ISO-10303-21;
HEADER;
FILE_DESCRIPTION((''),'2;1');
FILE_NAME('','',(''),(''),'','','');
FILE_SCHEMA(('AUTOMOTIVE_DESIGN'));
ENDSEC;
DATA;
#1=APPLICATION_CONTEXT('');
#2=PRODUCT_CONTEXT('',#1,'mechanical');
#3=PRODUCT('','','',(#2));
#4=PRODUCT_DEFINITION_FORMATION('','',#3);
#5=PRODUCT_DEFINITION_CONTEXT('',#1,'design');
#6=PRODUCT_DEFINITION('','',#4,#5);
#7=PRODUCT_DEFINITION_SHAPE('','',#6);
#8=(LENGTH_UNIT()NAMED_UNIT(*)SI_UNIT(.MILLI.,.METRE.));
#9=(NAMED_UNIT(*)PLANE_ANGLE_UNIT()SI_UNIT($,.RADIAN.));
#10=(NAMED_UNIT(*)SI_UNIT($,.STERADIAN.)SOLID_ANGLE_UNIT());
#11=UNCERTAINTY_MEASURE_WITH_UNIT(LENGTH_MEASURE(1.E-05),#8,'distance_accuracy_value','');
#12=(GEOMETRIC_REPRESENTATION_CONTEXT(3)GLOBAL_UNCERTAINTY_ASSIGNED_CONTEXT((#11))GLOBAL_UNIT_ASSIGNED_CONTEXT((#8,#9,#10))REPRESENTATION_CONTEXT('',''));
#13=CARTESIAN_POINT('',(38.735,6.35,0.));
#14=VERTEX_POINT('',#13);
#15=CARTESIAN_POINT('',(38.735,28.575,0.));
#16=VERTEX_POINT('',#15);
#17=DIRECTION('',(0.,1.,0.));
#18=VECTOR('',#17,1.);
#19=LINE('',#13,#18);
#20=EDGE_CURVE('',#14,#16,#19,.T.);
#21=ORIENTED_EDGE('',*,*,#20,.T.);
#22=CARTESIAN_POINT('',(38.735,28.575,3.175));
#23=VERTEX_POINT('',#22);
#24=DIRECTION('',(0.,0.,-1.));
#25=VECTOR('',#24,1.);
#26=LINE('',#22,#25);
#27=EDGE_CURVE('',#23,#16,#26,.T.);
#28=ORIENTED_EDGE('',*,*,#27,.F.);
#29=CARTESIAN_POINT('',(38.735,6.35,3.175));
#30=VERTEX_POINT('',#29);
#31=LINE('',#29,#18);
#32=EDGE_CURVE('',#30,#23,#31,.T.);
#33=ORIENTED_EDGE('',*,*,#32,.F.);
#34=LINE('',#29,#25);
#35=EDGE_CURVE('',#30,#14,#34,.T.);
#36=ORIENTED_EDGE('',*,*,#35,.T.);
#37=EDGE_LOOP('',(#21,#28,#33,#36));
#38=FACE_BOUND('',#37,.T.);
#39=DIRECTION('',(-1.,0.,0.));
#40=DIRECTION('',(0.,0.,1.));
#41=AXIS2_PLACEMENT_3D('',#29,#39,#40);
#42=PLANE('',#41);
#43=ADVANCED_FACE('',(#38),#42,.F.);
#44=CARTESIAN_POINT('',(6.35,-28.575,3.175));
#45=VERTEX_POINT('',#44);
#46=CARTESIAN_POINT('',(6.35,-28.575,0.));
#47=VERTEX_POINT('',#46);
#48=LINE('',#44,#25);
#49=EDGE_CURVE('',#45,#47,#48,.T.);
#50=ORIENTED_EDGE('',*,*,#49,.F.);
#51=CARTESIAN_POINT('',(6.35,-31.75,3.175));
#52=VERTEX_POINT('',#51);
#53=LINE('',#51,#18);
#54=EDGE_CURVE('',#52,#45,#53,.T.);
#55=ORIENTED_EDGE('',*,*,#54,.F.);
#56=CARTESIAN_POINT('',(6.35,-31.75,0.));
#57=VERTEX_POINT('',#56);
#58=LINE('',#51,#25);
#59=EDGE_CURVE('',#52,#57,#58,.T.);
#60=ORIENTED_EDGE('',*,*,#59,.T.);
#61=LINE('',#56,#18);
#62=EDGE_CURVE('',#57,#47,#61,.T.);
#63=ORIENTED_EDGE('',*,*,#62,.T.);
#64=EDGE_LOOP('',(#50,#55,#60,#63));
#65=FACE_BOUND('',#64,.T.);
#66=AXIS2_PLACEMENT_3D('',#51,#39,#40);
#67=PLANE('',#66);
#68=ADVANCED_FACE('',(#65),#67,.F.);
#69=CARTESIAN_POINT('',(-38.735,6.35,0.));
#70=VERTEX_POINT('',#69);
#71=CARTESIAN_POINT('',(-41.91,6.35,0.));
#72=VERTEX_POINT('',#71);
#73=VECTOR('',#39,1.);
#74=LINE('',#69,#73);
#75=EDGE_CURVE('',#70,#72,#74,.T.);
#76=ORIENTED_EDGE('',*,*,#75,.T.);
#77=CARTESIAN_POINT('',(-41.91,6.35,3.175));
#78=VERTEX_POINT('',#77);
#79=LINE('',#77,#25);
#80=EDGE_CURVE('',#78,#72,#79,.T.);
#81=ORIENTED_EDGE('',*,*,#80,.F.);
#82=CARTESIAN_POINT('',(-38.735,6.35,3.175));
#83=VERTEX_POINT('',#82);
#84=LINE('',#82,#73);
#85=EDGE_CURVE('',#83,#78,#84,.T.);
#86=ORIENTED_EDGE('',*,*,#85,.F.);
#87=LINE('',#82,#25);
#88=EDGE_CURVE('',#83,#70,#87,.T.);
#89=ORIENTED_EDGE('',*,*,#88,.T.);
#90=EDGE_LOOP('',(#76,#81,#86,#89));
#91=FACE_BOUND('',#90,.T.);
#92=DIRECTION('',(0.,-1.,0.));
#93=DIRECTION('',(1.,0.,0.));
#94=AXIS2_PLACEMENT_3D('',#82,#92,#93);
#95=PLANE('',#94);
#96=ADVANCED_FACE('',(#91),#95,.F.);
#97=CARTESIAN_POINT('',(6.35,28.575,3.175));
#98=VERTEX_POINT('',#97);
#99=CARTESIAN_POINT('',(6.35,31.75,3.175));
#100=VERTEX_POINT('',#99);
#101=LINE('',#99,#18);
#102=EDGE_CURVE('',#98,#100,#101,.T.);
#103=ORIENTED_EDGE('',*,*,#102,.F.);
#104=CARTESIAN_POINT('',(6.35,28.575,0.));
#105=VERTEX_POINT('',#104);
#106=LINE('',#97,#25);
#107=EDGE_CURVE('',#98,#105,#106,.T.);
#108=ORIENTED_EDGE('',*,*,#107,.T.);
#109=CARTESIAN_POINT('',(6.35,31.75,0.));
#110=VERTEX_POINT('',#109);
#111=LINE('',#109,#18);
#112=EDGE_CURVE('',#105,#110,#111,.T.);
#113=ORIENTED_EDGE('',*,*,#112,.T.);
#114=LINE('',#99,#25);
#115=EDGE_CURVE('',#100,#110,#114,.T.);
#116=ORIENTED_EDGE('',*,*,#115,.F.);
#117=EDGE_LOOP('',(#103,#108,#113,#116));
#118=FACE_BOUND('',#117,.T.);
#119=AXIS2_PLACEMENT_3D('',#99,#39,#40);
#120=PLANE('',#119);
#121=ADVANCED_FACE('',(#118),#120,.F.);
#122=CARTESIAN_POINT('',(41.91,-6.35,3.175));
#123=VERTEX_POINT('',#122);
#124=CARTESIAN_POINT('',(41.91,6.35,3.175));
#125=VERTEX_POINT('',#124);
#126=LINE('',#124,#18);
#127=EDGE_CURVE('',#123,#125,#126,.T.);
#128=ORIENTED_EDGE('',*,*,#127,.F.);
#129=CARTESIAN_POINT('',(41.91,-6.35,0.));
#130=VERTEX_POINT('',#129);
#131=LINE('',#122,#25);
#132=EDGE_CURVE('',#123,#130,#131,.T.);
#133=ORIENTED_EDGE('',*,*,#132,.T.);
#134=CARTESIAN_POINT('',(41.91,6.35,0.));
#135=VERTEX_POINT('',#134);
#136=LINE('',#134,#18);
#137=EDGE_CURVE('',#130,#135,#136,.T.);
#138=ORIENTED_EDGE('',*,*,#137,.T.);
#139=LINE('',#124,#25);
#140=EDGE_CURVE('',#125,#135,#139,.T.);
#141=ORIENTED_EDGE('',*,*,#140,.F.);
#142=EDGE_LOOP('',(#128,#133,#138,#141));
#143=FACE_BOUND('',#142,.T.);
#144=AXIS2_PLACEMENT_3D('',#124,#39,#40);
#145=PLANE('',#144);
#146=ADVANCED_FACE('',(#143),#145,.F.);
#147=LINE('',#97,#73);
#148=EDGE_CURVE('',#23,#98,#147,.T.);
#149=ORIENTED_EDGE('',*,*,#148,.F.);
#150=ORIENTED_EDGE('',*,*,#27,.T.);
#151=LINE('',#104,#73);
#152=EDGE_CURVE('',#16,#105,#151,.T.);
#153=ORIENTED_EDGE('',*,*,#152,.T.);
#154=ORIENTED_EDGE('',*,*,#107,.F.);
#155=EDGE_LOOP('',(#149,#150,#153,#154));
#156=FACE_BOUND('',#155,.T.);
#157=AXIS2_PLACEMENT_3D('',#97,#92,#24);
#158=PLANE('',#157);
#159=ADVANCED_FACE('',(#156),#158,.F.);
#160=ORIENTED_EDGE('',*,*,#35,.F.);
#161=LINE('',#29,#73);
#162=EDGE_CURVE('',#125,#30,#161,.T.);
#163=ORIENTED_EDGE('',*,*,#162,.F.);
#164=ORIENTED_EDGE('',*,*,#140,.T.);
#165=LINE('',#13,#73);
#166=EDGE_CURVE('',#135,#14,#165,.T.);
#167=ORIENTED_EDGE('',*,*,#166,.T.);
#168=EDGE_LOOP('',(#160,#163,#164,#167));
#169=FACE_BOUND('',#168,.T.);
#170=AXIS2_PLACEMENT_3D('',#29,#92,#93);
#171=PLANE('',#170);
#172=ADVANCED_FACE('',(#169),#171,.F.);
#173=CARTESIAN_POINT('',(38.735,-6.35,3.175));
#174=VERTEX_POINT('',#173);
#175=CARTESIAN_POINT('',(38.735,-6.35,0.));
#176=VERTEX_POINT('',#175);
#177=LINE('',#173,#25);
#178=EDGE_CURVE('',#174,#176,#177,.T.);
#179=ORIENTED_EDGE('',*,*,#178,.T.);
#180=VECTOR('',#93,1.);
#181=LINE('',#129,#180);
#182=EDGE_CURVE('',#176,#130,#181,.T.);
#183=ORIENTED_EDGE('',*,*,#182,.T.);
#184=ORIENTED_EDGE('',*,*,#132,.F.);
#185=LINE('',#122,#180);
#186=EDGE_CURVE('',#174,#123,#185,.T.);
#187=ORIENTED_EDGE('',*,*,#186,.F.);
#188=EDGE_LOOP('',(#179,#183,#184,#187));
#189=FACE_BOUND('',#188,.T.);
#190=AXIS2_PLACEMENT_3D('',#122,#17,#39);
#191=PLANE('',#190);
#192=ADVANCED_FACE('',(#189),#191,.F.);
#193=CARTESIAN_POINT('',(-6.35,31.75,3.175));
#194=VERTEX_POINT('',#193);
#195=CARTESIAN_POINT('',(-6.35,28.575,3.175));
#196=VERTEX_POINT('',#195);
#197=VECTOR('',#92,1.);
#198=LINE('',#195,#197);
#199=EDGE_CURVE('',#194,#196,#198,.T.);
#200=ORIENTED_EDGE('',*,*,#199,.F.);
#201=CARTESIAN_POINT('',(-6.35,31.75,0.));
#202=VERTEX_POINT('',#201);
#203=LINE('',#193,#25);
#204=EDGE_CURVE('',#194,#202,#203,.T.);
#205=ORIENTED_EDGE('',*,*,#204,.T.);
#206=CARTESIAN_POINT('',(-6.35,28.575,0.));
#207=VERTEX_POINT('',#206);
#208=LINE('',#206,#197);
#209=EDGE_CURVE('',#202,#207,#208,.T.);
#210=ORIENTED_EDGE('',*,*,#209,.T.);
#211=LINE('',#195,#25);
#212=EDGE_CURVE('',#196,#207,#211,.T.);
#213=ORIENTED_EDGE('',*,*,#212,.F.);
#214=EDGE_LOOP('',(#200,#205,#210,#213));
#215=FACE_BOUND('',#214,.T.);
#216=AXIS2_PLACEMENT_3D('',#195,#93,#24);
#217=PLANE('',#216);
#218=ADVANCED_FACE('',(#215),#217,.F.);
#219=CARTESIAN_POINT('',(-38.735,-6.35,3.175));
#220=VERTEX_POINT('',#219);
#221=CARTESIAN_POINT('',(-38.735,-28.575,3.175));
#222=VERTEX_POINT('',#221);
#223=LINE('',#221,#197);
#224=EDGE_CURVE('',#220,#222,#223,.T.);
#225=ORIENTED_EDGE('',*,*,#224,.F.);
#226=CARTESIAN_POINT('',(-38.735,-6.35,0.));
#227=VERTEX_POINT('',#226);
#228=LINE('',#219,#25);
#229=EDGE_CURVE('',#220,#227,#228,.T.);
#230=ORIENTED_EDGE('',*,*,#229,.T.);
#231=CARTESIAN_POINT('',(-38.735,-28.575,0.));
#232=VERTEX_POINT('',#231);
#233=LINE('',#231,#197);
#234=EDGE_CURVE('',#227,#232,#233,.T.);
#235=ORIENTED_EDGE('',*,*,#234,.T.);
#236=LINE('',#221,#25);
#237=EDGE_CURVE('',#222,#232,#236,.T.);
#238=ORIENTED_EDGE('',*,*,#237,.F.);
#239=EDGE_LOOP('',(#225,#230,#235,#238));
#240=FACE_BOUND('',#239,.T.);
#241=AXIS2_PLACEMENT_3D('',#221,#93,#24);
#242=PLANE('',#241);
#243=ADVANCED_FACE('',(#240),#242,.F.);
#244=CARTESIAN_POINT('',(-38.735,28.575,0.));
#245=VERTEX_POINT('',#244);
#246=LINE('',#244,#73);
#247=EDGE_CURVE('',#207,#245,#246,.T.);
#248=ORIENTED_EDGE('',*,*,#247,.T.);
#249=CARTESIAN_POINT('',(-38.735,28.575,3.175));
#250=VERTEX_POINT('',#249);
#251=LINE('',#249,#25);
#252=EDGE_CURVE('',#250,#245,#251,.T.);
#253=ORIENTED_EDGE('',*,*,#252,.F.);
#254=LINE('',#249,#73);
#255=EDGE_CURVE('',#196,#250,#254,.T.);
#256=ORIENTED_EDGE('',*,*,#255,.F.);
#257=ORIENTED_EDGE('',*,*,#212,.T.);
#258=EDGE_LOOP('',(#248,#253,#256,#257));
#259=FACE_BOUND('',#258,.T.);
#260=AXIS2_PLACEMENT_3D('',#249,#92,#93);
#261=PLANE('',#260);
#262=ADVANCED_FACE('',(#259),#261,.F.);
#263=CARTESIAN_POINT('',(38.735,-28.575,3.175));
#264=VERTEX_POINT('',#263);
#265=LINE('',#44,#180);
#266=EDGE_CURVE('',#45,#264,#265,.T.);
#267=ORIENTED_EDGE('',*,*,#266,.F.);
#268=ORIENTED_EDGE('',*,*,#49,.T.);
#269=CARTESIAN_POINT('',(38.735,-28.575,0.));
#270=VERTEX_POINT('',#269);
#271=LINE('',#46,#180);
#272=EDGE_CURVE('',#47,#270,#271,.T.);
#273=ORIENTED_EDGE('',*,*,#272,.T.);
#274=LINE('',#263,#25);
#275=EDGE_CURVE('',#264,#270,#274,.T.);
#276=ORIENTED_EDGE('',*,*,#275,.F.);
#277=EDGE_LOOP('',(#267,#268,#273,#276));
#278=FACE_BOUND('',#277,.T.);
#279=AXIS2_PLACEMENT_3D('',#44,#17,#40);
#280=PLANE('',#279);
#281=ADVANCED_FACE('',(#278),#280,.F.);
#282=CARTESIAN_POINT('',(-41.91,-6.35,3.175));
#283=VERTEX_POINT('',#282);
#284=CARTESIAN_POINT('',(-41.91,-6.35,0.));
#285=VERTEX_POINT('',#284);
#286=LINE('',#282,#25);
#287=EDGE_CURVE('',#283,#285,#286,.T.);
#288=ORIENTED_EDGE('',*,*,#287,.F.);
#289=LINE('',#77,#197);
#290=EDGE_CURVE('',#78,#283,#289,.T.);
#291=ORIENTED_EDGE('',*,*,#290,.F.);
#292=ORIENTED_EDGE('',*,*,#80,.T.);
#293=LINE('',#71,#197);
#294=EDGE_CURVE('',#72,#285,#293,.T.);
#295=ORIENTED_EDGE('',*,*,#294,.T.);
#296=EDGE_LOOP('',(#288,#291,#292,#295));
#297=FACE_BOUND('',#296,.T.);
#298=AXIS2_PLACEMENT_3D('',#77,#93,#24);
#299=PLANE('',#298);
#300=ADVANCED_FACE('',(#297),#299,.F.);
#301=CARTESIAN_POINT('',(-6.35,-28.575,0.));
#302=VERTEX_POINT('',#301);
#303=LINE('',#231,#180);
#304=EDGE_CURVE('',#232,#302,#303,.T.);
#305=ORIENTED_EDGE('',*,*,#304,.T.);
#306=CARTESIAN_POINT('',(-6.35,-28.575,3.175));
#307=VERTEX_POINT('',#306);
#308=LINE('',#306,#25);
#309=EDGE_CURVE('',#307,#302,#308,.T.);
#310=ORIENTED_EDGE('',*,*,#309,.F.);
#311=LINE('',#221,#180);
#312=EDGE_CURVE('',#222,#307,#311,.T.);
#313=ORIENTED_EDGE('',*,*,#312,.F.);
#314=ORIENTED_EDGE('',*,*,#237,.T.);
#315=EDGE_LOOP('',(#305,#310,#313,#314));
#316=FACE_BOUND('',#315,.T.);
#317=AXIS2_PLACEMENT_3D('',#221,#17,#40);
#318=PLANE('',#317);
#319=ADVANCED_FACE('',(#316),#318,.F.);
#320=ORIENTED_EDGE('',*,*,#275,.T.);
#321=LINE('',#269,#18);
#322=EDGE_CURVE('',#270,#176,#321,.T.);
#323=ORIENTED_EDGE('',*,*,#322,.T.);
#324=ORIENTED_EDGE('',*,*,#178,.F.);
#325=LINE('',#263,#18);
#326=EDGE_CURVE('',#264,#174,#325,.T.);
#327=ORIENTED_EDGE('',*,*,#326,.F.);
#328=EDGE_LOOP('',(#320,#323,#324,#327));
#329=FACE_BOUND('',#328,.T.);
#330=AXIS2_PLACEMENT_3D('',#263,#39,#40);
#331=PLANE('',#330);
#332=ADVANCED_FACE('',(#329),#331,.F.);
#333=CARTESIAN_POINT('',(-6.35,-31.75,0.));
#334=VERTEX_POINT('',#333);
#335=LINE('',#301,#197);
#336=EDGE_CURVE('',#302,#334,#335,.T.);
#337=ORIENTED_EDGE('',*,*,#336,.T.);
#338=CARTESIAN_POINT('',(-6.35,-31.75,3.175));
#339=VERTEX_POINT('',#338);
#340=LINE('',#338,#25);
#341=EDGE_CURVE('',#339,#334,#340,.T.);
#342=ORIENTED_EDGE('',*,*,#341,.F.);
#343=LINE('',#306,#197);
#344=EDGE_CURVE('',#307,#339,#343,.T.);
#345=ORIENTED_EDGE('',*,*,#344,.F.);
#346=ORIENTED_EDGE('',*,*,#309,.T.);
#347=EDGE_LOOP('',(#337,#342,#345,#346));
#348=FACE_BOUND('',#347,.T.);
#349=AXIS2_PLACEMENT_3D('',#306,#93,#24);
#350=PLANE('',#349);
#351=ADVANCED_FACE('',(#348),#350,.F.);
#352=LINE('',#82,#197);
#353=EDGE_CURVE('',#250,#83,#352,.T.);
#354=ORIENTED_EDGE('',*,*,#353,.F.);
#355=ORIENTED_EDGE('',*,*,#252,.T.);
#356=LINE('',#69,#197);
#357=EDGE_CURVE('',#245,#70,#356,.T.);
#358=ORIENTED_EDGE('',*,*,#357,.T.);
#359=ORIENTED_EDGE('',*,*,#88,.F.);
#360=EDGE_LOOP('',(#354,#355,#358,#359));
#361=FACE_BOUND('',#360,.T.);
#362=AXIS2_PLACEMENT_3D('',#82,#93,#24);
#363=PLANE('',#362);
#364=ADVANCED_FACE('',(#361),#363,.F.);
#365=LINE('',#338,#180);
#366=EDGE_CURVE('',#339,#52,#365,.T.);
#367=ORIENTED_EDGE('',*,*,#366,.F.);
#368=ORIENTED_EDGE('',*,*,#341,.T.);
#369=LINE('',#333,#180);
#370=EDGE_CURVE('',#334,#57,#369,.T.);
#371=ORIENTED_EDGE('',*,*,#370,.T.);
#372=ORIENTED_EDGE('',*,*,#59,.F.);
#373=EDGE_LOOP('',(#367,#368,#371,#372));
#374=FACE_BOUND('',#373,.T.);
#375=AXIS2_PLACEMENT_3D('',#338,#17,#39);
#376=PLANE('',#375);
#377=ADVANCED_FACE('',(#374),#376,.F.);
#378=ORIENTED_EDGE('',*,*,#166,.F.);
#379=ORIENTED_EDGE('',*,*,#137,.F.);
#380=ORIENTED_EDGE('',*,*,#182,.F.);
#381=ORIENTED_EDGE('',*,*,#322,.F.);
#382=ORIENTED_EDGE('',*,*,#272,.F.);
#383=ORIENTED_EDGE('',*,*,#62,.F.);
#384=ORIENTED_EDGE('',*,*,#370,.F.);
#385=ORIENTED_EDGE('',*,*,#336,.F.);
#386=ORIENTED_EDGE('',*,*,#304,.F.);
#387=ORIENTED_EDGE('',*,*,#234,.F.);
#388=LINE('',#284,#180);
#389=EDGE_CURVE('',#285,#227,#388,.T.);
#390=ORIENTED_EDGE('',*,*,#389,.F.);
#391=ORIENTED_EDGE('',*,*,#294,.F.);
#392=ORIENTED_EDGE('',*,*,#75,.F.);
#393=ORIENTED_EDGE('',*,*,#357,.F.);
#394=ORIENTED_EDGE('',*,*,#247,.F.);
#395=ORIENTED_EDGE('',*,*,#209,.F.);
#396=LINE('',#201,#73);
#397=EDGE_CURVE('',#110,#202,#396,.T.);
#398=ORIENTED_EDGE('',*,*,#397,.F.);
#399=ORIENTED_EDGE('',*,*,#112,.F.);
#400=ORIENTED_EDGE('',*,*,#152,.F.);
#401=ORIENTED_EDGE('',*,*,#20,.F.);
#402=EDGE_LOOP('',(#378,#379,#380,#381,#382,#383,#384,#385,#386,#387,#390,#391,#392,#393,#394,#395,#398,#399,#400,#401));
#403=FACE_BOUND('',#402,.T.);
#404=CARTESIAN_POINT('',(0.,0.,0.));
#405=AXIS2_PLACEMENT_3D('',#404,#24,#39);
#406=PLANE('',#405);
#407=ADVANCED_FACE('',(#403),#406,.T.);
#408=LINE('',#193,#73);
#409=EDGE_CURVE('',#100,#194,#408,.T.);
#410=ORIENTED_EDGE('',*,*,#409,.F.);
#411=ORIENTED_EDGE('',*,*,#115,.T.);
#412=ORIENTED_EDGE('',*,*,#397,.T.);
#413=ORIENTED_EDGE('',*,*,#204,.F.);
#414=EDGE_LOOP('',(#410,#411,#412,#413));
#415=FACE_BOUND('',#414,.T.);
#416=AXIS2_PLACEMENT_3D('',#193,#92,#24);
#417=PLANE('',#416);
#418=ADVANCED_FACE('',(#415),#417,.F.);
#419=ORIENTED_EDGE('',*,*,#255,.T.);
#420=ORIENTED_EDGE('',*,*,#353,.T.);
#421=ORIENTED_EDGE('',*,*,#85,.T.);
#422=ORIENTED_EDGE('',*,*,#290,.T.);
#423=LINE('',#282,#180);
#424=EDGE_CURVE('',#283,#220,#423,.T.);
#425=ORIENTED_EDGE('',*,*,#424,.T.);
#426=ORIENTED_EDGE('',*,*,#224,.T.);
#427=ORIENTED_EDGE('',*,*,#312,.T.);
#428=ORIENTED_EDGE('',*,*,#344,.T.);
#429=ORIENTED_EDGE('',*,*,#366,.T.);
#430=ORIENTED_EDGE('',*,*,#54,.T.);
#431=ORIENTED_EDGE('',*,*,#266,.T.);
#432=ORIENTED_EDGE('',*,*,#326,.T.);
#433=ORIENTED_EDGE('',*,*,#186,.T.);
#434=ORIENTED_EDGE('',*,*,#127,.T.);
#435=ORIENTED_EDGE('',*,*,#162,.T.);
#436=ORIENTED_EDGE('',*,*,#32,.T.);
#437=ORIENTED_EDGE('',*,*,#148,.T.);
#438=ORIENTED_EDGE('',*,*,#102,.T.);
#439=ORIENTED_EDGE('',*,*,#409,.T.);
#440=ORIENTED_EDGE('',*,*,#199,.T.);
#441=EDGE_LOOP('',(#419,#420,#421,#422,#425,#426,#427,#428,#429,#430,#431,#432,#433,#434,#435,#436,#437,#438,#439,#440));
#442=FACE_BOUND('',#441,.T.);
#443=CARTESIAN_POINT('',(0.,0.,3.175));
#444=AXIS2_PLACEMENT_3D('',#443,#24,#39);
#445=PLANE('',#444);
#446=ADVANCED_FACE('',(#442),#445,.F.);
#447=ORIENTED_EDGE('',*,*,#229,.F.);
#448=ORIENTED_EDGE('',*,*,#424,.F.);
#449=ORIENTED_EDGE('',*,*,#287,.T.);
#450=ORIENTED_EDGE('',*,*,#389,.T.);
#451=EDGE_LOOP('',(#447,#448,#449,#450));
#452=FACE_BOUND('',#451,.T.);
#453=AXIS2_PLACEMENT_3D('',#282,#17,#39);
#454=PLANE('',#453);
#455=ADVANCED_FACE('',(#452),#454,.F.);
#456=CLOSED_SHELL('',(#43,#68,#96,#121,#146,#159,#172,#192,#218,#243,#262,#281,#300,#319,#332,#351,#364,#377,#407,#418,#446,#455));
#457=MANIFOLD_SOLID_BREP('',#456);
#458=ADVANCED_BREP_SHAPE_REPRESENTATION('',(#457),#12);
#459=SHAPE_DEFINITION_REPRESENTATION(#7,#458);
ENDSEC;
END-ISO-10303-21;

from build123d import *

# Parameters (mm, degrees)
BOSS_EXTRUDE1_DEPTH = 3.175


with BuildPart() as part:
    # Sketch1 → Boss-Extrude1 (new body)
    with BuildSketch(Plane.XY):
        Polygon((-38.735, 6.35), (-41.91, 6.35), (-41.91, -6.35), (-38.735, -6.35), (-38.735, -28.575), (-6.35, -28.575), (-6.35, -31.75), (6.35, -31.75), (6.35, -28.575), (38.735, -28.575), (38.735, -6.35), (41.91, -6.35), (41.91, 6.35), (38.735, 6.35), (38.735, 28.575), (6.35, 28.575), (6.35, 31.75), (-6.35, 31.75), (-6.35, 28.575), (-38.735, 28.575), align=None)
    extrude(amount=BOSS_EXTRUDE1_DEPTH)


solid = part.part
